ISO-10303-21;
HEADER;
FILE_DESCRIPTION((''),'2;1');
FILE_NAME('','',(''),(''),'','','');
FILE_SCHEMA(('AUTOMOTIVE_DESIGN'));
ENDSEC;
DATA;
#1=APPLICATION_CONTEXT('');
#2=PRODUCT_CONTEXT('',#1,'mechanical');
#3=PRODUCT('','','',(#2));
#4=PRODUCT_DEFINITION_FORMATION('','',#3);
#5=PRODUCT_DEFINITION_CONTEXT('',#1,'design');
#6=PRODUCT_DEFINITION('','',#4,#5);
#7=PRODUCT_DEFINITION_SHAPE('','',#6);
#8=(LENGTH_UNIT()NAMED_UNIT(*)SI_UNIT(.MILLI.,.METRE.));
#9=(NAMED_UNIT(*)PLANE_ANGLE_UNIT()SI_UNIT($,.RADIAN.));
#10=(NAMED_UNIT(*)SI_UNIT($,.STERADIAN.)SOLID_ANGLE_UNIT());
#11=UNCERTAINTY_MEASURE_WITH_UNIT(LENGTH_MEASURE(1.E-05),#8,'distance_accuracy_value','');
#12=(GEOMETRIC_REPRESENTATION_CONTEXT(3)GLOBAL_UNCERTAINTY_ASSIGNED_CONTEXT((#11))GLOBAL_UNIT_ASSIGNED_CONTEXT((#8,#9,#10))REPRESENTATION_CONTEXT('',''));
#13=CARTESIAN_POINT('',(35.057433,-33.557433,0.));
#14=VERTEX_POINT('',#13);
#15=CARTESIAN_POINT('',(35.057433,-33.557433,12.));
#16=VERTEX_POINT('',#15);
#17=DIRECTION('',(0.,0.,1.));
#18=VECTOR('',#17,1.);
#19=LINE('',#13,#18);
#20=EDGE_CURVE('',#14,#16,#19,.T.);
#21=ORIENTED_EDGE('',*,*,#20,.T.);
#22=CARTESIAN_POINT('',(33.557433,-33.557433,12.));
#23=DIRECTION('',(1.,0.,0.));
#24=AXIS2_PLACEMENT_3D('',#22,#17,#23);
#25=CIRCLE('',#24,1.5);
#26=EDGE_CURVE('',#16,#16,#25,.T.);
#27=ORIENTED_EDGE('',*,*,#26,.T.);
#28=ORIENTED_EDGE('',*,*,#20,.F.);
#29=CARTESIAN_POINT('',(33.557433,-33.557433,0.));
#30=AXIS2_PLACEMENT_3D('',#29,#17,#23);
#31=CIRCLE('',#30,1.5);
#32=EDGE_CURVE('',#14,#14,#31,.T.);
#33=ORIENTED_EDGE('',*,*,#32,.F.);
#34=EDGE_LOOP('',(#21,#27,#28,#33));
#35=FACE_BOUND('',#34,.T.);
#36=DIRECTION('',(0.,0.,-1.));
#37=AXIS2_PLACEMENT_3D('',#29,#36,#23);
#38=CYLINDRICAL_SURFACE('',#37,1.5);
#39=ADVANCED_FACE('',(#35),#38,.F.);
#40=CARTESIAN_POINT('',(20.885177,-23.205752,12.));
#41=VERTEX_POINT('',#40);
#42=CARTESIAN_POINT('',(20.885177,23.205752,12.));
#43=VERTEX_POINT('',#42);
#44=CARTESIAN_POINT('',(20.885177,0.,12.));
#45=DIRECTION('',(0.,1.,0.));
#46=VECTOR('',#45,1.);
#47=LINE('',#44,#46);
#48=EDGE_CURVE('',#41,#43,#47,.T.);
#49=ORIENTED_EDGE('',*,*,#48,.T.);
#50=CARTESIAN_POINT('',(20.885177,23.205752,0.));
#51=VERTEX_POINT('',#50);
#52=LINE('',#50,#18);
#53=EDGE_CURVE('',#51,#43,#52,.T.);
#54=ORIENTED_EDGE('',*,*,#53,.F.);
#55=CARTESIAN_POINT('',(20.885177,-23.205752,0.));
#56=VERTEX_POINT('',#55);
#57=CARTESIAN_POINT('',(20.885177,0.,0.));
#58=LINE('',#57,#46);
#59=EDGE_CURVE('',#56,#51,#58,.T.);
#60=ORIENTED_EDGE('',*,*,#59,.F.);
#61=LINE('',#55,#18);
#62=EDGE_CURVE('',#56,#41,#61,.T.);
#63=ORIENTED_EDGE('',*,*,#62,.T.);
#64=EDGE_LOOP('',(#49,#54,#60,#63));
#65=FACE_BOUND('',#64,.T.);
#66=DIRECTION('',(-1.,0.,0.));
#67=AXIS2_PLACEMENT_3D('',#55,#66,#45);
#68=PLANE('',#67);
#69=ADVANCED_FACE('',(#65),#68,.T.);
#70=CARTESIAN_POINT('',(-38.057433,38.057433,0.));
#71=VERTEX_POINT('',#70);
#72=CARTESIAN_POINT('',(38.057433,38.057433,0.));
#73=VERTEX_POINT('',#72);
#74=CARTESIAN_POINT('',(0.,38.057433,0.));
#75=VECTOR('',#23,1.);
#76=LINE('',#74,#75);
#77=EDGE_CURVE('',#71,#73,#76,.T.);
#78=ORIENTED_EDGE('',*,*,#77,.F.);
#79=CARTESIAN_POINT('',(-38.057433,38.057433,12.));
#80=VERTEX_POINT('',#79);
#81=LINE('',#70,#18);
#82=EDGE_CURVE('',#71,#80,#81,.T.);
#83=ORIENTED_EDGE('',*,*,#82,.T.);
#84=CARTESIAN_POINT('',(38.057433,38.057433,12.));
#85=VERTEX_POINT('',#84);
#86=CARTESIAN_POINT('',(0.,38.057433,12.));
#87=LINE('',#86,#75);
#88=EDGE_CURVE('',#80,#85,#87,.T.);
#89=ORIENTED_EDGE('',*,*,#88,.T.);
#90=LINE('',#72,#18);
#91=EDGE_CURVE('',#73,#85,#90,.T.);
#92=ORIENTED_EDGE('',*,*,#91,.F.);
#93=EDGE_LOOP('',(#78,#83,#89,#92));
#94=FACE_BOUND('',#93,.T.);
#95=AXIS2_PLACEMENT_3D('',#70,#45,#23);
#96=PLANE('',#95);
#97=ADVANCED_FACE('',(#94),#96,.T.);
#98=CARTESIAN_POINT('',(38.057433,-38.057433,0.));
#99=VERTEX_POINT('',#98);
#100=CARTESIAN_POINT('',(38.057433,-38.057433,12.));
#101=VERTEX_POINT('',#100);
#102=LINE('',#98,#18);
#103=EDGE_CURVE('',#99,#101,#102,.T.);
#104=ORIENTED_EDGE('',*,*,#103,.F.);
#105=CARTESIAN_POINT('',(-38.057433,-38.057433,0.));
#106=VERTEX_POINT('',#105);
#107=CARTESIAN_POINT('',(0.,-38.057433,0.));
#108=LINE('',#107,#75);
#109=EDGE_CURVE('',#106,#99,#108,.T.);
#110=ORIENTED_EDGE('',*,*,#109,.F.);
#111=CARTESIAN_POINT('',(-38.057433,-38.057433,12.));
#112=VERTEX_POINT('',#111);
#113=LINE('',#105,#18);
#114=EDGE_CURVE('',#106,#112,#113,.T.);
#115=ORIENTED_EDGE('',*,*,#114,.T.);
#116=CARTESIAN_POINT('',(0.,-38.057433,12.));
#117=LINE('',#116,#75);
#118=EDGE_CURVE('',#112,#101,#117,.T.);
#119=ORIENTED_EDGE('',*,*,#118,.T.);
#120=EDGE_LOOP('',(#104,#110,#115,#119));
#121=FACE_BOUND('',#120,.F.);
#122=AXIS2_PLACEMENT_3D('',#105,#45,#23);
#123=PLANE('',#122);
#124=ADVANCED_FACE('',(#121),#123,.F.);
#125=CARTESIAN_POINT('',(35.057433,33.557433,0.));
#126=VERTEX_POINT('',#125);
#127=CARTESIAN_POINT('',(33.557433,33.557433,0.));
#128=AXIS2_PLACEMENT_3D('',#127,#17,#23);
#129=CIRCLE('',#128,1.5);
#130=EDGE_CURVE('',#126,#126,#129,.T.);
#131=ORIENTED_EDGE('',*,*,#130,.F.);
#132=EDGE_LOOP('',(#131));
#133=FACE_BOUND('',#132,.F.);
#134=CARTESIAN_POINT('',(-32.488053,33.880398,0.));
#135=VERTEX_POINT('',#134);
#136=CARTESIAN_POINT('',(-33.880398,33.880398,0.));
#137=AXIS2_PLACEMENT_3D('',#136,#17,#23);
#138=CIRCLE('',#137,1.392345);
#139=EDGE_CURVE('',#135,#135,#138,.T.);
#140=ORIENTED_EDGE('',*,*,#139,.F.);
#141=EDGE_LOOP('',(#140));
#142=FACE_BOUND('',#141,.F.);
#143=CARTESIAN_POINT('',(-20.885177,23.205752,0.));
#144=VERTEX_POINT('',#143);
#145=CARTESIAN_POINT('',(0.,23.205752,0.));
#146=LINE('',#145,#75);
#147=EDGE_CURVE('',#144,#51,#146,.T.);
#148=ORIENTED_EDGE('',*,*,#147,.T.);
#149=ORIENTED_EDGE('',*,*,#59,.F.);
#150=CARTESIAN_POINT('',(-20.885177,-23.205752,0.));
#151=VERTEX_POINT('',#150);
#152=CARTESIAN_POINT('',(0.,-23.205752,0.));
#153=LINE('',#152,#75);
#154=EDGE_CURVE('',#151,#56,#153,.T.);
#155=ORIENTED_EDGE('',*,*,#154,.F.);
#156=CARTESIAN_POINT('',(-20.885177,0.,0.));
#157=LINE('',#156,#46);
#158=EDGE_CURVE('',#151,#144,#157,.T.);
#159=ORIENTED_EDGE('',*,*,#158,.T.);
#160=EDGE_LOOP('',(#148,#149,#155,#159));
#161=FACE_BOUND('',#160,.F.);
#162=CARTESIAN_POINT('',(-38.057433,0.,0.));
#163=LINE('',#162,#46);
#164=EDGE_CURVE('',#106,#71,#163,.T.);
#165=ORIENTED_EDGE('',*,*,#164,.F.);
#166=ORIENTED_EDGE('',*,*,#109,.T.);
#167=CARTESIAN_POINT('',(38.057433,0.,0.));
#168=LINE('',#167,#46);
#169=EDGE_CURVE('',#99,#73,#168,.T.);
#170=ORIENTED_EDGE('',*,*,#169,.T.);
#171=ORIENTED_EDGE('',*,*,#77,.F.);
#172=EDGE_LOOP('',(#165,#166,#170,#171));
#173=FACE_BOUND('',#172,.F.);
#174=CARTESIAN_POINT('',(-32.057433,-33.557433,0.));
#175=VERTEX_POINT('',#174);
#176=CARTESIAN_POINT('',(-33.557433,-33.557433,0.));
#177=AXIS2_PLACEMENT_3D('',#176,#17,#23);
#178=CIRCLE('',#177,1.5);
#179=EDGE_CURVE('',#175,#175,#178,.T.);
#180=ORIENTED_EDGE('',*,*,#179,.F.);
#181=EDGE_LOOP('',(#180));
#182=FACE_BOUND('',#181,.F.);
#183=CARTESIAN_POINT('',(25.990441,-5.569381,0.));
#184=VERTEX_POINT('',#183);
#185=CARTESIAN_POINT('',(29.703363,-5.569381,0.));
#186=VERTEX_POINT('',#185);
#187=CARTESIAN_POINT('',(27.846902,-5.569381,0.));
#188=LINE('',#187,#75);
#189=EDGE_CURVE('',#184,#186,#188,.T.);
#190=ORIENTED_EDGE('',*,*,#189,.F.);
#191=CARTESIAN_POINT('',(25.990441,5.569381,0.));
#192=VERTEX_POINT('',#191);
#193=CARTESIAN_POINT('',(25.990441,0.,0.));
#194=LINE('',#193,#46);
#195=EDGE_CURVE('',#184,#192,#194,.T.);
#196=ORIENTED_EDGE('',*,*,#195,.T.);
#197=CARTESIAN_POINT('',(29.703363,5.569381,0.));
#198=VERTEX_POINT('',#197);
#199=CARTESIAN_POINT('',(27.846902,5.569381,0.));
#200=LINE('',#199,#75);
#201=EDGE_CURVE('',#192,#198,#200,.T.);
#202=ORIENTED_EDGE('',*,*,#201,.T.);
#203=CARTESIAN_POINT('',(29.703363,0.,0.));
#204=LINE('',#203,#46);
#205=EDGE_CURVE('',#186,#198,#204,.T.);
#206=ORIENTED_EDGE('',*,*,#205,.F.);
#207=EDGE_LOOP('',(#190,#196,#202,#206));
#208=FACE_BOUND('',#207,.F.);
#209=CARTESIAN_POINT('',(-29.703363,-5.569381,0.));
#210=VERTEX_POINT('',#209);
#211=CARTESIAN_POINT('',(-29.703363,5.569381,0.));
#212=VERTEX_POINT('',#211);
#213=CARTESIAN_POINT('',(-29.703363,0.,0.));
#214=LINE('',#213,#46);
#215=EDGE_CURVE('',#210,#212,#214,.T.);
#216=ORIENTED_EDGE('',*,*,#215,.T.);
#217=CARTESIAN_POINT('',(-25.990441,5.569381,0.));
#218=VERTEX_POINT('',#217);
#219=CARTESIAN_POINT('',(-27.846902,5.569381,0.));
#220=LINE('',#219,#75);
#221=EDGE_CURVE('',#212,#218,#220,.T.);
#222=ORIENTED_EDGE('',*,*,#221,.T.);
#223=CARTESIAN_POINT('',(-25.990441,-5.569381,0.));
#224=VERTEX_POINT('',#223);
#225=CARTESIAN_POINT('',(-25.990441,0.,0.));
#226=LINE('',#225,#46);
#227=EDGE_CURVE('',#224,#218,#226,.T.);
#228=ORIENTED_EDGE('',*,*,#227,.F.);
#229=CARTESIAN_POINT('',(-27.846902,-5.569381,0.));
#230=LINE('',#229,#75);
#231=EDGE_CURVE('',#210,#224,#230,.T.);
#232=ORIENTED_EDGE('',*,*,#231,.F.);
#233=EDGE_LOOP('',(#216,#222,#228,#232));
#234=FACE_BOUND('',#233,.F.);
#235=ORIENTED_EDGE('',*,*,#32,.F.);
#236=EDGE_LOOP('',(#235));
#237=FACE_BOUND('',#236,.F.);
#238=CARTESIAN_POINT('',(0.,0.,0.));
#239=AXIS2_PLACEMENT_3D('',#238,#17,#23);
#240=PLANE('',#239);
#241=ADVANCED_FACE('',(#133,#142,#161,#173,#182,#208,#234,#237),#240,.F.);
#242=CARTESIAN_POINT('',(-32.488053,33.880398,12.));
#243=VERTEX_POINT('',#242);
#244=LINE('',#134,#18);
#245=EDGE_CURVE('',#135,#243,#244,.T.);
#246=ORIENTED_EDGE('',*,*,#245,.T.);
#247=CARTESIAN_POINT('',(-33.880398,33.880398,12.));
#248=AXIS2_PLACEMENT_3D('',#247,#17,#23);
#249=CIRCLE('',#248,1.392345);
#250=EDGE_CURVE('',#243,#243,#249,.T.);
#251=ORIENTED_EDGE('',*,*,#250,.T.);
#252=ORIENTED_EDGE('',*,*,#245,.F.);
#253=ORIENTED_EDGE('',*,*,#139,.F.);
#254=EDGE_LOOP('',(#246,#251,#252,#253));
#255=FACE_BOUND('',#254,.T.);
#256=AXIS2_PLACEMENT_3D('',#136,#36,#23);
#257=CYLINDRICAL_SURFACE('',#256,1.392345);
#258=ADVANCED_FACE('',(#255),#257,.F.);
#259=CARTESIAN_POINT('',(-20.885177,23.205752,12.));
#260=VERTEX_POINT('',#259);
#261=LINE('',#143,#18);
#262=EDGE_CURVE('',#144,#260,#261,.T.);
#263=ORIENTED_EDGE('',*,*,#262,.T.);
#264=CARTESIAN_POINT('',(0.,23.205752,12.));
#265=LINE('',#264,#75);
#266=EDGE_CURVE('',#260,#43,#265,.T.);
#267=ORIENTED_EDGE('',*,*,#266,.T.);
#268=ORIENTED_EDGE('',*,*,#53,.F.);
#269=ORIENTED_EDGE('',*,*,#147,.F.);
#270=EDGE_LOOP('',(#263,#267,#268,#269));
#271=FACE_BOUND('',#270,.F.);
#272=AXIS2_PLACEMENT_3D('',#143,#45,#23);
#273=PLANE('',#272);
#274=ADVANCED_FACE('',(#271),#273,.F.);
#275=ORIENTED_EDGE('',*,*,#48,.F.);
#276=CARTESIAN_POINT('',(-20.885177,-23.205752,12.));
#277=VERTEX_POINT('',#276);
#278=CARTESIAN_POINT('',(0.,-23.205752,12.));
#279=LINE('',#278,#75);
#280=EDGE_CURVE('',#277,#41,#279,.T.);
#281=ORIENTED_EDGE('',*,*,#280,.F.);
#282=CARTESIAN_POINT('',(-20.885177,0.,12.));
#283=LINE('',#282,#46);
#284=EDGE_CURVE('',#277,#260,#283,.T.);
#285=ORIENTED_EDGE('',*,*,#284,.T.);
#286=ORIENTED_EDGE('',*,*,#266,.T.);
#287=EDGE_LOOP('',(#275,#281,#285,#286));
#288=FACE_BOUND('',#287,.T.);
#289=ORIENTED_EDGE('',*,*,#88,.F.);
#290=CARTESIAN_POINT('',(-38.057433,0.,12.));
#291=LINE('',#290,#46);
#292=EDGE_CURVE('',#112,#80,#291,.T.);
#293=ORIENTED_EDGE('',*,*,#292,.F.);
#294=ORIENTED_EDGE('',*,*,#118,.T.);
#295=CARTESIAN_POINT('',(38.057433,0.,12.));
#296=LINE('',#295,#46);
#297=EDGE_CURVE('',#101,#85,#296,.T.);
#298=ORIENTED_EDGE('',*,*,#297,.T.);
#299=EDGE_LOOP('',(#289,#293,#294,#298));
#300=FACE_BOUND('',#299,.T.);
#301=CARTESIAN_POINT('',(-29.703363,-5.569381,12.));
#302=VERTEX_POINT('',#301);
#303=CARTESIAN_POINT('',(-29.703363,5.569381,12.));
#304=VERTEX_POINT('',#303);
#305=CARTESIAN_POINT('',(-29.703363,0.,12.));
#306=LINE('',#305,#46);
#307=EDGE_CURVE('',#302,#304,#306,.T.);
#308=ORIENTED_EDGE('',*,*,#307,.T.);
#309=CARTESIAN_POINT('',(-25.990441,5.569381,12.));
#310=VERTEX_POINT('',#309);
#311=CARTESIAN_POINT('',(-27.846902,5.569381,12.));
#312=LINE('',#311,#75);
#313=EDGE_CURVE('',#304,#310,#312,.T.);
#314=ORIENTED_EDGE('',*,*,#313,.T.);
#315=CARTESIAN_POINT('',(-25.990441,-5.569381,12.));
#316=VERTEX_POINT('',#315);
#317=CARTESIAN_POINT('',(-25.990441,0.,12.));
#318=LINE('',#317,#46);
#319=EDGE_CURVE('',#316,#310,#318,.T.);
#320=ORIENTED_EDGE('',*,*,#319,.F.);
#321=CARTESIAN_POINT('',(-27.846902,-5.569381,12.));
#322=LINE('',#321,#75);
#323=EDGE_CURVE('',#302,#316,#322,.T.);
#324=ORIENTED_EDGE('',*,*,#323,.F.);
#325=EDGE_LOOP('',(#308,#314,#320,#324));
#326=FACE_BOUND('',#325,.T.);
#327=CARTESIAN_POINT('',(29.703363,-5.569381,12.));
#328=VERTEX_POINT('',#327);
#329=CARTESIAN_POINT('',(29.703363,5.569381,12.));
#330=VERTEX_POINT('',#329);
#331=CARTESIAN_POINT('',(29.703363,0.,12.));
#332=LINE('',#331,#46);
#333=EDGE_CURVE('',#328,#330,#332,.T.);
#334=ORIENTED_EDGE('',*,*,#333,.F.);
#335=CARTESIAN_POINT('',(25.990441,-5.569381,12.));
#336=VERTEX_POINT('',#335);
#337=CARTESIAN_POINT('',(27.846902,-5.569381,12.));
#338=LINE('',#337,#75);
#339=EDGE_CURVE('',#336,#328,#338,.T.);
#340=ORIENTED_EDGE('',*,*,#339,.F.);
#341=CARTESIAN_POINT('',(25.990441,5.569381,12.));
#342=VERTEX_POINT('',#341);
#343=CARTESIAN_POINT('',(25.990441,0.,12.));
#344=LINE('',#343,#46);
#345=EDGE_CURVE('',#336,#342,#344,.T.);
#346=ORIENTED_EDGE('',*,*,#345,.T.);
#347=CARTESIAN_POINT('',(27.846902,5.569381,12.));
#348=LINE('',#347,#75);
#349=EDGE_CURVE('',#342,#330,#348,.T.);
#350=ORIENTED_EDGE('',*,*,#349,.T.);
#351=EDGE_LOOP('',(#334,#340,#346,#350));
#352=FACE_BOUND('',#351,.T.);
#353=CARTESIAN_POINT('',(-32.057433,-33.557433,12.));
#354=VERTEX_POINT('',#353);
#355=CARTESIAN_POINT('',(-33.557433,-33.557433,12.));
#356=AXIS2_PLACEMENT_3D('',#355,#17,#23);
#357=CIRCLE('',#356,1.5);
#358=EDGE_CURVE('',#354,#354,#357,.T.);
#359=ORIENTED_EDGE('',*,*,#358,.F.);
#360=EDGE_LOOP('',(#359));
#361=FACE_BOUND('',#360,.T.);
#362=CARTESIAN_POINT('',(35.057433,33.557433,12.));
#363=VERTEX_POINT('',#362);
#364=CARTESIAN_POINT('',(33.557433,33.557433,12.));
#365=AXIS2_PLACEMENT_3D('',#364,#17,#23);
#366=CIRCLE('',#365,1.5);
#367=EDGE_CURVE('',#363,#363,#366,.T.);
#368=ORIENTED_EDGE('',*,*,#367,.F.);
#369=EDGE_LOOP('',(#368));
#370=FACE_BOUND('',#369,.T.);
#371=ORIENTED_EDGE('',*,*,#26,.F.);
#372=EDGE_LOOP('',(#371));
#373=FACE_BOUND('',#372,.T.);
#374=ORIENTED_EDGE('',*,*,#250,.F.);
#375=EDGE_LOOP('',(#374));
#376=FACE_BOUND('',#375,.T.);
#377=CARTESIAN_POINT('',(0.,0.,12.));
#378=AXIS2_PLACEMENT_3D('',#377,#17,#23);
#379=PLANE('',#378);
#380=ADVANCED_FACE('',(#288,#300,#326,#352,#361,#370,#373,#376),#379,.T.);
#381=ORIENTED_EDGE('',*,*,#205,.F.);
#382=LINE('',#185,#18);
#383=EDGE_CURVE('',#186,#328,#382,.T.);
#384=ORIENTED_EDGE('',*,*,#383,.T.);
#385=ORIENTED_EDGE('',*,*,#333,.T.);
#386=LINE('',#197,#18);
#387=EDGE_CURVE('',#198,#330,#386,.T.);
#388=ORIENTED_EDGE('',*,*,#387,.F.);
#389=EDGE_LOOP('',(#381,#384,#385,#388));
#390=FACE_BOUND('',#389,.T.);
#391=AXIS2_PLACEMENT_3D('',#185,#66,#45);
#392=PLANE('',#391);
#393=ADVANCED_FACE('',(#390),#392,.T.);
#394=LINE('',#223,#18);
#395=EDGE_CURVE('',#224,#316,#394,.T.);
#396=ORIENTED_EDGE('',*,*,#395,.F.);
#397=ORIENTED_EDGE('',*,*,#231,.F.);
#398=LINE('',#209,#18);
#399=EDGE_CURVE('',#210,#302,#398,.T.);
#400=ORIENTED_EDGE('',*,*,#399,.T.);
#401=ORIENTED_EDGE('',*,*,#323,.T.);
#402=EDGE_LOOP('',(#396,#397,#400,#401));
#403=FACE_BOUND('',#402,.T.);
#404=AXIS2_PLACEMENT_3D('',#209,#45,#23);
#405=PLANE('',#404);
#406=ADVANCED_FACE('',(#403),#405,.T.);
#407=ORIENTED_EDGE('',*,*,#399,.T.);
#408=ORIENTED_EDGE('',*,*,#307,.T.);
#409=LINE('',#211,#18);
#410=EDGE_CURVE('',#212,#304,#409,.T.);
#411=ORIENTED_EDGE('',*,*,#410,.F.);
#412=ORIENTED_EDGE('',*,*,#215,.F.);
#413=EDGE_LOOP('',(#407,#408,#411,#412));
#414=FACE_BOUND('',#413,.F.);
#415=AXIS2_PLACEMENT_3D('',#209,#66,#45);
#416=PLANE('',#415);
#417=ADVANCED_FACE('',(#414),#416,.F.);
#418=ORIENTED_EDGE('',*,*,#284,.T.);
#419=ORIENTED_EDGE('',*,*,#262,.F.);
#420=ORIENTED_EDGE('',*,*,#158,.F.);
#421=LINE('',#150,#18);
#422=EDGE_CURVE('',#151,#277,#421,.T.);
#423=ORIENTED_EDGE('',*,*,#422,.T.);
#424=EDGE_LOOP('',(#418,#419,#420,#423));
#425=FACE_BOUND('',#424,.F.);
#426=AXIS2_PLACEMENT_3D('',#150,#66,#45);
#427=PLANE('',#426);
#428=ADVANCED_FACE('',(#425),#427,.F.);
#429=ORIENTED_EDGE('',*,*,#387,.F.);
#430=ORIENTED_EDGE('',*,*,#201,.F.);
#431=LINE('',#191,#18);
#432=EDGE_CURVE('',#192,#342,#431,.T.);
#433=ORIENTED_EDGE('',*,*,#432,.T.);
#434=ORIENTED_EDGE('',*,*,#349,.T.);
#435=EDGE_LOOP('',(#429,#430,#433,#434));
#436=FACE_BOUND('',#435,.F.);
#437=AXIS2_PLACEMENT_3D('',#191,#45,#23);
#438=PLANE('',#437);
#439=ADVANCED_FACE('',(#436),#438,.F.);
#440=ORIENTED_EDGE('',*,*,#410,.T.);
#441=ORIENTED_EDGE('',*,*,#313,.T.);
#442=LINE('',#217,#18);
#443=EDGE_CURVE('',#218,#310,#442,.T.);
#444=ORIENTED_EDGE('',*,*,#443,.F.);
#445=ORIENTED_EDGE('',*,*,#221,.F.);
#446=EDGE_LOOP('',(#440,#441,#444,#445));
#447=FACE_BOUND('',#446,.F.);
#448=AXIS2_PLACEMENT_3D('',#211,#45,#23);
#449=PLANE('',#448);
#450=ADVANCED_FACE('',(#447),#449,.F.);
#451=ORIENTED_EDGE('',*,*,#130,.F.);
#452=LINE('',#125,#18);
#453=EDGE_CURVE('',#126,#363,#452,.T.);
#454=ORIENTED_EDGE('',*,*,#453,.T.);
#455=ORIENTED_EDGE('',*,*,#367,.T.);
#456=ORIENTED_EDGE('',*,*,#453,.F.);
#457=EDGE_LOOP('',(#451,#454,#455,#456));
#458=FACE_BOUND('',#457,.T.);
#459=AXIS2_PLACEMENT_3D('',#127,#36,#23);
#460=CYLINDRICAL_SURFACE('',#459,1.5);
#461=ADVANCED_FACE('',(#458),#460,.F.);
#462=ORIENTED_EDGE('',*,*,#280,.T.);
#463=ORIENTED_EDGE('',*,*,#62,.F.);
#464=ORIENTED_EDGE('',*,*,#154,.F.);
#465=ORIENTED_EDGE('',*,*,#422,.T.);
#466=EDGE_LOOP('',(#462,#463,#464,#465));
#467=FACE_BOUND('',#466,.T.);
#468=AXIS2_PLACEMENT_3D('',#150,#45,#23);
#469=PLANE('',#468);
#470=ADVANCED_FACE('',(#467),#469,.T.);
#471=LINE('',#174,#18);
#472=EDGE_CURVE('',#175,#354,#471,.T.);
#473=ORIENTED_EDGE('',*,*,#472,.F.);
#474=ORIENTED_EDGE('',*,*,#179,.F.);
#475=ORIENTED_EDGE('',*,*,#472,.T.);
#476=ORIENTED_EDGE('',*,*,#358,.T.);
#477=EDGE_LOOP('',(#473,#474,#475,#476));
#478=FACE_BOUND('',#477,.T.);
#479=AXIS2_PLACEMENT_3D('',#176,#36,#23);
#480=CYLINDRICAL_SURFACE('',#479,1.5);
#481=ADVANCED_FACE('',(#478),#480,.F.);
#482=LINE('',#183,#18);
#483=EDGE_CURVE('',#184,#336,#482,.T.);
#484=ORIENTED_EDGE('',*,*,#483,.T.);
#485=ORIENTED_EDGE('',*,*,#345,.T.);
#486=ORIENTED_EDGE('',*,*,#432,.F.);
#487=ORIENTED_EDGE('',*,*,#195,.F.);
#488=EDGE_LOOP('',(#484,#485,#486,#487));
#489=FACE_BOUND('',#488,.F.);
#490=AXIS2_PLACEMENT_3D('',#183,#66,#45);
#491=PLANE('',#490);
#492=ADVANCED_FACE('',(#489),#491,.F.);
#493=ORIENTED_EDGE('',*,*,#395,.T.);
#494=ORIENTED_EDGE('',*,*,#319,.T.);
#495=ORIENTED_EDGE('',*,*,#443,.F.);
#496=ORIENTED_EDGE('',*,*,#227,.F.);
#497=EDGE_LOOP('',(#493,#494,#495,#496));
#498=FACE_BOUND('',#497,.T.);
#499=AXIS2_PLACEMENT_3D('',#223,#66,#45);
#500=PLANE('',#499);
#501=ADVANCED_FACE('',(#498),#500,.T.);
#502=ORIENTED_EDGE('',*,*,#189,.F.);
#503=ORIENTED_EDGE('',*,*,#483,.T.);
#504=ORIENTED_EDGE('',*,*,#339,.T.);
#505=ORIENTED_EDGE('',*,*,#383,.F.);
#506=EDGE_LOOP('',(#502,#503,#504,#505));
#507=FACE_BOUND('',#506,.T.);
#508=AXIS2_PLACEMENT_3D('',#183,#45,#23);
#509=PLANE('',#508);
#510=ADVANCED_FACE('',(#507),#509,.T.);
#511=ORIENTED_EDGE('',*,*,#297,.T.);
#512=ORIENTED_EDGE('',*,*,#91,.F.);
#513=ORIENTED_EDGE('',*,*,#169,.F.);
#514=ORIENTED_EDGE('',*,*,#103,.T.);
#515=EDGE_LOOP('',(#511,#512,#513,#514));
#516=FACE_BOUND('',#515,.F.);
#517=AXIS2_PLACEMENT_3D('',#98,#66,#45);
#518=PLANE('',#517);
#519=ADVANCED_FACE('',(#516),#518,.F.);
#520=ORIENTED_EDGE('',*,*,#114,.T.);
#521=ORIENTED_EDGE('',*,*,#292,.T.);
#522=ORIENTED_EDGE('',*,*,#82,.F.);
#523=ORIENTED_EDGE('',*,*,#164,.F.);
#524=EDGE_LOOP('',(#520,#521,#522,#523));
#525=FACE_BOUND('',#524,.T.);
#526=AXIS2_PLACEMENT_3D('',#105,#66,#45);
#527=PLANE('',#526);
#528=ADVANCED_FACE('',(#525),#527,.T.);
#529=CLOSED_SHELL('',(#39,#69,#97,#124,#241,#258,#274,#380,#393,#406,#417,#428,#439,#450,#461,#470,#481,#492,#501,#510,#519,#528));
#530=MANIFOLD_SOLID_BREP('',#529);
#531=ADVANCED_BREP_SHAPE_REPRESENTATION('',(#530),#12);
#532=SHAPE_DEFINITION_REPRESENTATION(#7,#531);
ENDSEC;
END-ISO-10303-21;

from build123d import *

# Parameters (mm, degrees)
F0_W     = 76.114866
F0_H     = 76.114866
F0_R     = 1.5
F0_W_2   = 3.712921
F0_H_2   = 11.138762
F0_W_3   = 41.770354
F0_H_3   = 46.411504
F0_R_2   = 1.392345
F1_DEPTH = 12


with BuildPart() as f1:
    # F0 (on Top) → F1 (new body)
    with BuildSketch(Plane.XY):
        Rectangle(F0_W, F0_H)
        with Locations((-33.557433, -33.557433)):
            Circle(F0_R, mode=Mode.SUBTRACT)
        with Locations((33.557433, -33.557433)):
            Circle(F0_R, mode=Mode.SUBTRACT)
        with Locations((-27.846902, 0)):
            Rectangle(F0_W_2, F0_H_2, mode=Mode.SUBTRACT)
        Rectangle(F0_W_3, F0_H_3, mode=Mode.SUBTRACT)
        with Locations((-33.880398, 33.880398)):
            Circle(F0_R_2, mode=Mode.SUBTRACT)
        with Locations((27.846902, 0)):
            Rectangle(F0_W_2, F0_H_2, mode=Mode.SUBTRACT)
        with Locations((33.557433, 33.557433)):
            Circle(F0_R, mode=Mode.SUBTRACT)
    extrude(amount=F1_DEPTH)


solid = f1.part
